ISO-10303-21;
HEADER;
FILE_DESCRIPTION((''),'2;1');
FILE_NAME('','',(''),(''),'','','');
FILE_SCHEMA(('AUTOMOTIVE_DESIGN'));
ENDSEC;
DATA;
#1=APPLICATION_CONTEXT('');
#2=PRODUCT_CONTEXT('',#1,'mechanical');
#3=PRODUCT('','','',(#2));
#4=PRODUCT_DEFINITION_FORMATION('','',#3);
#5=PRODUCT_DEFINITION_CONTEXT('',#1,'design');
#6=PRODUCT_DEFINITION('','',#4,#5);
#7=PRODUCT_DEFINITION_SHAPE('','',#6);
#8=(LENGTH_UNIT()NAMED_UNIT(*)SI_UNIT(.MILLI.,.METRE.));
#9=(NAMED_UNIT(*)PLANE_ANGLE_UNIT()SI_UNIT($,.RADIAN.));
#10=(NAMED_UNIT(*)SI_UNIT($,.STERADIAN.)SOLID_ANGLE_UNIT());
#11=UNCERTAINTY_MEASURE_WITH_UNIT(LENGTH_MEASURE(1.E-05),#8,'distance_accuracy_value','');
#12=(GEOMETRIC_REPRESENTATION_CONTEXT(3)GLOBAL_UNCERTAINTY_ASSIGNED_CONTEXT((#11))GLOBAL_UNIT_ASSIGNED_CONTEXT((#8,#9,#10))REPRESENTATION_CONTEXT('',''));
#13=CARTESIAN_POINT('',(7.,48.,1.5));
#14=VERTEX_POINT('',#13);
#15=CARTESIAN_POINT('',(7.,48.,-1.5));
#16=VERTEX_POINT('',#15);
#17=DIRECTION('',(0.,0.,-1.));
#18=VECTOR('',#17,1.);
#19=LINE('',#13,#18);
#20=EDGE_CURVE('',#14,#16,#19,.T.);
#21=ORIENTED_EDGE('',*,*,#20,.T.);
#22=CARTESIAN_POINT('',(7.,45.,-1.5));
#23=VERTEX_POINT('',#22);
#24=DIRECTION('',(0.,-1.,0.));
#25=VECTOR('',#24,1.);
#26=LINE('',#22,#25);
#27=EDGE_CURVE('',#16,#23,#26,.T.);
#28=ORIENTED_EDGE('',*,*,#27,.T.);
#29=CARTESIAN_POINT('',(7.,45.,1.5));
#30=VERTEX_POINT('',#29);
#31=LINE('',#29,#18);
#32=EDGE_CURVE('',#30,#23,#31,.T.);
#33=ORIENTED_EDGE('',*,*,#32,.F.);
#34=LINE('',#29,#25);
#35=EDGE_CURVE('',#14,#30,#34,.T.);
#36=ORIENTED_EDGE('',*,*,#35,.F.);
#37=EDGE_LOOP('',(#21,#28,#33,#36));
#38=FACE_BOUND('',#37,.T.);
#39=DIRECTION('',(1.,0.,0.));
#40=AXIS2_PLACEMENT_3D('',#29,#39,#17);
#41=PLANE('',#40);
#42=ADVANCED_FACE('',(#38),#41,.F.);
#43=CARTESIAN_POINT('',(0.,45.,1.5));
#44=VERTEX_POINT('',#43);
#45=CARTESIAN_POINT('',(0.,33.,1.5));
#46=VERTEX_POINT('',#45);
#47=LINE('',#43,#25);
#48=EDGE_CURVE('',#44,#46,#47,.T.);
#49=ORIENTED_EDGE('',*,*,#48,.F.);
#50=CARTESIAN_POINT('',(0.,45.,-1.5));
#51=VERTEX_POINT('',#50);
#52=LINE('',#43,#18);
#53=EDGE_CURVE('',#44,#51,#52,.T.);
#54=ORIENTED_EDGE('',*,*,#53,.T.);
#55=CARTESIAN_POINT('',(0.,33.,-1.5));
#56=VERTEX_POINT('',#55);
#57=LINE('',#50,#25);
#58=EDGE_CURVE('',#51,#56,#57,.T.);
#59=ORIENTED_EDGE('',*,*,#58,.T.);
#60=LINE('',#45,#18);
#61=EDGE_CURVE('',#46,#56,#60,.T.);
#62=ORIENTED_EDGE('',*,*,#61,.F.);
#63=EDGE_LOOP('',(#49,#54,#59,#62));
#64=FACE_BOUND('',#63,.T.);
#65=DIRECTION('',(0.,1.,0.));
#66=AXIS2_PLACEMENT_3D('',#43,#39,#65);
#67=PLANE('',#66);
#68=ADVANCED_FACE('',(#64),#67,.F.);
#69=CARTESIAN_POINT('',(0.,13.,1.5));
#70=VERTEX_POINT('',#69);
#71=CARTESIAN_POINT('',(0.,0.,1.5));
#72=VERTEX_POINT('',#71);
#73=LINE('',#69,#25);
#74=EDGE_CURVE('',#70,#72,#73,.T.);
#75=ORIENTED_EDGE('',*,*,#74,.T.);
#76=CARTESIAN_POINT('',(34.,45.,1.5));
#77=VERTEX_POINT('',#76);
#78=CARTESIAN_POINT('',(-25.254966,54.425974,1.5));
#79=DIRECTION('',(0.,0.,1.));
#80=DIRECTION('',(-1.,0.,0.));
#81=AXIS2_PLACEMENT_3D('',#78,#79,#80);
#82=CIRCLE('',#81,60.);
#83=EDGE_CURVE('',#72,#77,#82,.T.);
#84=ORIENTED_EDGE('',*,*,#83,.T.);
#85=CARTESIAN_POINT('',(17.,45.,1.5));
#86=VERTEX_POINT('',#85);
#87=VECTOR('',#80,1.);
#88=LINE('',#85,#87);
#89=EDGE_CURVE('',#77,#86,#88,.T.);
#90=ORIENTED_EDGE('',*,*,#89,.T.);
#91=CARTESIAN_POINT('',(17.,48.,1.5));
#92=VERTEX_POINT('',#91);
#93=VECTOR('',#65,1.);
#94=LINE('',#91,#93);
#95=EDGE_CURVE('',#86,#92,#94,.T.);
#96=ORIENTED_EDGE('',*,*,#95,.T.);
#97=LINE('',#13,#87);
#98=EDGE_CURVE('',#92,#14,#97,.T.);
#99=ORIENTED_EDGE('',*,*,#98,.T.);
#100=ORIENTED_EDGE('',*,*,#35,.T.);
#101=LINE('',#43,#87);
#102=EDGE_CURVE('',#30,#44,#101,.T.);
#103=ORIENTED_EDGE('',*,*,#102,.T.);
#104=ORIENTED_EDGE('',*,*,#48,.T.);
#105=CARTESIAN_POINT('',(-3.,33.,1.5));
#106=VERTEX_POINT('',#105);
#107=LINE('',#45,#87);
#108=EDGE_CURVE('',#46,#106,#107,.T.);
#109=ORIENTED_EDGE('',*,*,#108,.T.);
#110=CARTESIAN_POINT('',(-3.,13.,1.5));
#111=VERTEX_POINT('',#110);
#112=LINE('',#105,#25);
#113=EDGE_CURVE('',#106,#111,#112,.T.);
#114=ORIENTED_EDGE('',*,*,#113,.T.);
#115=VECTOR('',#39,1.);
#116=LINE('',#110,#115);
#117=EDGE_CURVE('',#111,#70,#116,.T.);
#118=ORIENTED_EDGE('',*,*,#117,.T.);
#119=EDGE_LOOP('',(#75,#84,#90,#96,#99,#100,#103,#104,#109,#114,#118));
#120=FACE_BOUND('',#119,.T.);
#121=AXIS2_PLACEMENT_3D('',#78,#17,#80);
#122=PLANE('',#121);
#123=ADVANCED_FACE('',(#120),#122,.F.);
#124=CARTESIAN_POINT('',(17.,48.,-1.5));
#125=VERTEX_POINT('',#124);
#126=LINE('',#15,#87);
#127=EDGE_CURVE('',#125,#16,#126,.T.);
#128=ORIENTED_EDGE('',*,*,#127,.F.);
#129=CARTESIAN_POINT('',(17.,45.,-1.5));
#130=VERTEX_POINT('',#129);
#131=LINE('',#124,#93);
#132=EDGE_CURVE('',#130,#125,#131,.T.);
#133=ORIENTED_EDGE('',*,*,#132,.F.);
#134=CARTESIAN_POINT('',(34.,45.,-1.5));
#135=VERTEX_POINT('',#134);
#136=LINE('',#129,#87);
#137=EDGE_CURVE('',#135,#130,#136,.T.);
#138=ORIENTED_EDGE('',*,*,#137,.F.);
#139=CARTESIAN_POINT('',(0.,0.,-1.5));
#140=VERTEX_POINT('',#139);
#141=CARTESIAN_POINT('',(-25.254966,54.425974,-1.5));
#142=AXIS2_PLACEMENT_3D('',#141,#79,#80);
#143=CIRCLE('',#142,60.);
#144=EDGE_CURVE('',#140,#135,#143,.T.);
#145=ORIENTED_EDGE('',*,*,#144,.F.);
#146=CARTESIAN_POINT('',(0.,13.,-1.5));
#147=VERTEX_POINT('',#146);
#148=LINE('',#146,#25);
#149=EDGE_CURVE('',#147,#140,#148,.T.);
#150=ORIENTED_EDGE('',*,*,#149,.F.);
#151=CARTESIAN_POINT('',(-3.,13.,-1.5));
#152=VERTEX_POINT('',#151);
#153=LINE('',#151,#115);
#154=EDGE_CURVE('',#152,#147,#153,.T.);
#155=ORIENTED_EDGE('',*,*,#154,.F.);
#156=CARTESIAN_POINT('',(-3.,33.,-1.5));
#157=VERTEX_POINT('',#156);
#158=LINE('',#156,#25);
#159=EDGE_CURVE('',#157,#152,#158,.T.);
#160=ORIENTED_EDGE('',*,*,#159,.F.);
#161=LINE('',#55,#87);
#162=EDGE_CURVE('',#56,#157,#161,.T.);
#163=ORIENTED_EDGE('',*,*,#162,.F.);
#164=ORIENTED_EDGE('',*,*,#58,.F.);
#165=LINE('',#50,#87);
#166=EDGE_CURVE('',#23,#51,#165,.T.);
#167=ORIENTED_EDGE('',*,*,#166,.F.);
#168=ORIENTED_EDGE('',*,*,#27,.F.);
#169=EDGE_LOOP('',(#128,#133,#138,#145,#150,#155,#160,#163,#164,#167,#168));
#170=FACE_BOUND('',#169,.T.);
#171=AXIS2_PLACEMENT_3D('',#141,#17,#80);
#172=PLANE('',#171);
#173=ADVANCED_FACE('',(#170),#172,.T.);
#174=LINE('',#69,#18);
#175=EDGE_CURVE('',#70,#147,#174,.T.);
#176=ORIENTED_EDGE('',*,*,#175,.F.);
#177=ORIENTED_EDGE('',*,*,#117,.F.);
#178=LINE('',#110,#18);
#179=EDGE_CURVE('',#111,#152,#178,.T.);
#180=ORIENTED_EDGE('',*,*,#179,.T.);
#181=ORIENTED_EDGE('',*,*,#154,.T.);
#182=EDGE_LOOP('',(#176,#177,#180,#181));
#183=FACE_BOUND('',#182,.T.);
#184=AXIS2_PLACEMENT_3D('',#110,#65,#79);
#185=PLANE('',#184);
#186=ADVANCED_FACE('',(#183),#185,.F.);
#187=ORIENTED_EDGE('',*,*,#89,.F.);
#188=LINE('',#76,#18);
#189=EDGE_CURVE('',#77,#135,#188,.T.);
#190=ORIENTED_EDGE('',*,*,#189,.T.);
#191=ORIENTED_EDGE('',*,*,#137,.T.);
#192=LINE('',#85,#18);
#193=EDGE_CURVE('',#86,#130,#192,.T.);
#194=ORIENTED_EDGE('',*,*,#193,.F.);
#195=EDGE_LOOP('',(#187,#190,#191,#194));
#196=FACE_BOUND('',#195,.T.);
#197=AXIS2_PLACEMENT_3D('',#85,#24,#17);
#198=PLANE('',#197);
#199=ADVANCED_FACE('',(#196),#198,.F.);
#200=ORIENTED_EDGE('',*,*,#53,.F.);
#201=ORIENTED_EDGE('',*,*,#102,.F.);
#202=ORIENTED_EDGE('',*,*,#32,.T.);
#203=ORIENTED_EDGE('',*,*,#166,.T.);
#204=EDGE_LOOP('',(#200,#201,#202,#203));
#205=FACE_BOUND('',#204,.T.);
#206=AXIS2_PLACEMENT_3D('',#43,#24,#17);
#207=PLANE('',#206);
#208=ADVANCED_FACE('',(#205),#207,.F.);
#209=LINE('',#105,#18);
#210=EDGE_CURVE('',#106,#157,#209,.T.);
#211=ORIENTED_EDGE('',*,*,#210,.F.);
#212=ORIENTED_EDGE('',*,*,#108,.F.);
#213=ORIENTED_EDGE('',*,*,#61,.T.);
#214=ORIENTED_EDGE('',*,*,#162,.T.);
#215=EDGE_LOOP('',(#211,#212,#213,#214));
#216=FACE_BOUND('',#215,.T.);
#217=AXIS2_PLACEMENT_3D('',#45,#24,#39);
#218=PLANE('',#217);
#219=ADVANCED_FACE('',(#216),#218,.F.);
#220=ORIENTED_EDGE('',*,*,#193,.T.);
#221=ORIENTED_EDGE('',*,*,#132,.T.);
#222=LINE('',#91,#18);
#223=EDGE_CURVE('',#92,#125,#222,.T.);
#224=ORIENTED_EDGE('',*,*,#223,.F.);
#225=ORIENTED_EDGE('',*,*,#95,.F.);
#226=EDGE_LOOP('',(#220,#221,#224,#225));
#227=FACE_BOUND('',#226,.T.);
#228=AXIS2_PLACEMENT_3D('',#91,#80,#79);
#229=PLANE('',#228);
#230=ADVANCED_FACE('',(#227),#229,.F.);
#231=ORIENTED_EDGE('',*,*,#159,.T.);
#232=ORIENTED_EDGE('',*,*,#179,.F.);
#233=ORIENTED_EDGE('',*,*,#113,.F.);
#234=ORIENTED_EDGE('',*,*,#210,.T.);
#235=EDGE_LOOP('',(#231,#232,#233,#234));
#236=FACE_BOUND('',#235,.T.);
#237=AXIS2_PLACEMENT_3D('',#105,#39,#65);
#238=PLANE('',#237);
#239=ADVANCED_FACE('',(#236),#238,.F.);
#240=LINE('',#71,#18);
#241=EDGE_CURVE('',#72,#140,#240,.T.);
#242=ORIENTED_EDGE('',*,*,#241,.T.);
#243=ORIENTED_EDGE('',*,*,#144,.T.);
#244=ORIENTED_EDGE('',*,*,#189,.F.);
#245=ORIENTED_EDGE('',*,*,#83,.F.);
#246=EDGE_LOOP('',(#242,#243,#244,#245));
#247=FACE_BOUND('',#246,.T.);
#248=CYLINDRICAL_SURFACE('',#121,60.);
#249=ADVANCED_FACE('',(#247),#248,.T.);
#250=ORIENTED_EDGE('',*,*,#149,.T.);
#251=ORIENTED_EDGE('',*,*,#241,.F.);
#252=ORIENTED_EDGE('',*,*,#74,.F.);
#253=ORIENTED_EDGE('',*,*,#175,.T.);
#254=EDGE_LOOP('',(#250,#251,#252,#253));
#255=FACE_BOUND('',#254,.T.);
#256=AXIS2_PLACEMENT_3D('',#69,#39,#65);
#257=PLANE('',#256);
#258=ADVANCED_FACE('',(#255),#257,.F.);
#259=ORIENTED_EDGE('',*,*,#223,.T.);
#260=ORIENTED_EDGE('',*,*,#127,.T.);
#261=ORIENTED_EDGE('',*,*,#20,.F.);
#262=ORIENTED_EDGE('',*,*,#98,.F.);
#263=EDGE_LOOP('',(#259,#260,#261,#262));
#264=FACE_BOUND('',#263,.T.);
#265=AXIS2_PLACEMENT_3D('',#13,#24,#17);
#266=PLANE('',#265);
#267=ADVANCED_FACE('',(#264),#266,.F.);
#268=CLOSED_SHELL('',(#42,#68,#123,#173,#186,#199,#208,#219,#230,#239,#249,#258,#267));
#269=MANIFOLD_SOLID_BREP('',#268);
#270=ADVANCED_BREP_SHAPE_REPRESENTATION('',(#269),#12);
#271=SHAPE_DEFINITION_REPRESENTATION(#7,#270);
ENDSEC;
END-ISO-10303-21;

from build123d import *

# Parameters (mm, degrees)
EXTRUDE_1_DEPTH = 1.5


with BuildPart() as part:
    # 草图2 → 凸台-拉伸1 (new body, symmetric)
    with BuildSketch(Plane.XY):
        with BuildLine():
            Line((0, 45), (0, 33))
            Line((0, 33), (-3, 33))
            Line((-3, 33), (-3, 13))
            Line((-3, 13), (0, 13))
            Line((0, 13), (0, 0))
            ThreePointArc((0, 0), (22.61707334, 18.255989032), (34, 45))
            Line((34, 45), (17, 45))
            Line((17, 45), (17, 48))
            Line((17, 48), (7, 48))
            Line((7, 48), (7, 45))
            Line((7, 45), (0, 45))
        make_face()
    extrude(amount=EXTRUDE_1_DEPTH, both=True)


solid = part.part
